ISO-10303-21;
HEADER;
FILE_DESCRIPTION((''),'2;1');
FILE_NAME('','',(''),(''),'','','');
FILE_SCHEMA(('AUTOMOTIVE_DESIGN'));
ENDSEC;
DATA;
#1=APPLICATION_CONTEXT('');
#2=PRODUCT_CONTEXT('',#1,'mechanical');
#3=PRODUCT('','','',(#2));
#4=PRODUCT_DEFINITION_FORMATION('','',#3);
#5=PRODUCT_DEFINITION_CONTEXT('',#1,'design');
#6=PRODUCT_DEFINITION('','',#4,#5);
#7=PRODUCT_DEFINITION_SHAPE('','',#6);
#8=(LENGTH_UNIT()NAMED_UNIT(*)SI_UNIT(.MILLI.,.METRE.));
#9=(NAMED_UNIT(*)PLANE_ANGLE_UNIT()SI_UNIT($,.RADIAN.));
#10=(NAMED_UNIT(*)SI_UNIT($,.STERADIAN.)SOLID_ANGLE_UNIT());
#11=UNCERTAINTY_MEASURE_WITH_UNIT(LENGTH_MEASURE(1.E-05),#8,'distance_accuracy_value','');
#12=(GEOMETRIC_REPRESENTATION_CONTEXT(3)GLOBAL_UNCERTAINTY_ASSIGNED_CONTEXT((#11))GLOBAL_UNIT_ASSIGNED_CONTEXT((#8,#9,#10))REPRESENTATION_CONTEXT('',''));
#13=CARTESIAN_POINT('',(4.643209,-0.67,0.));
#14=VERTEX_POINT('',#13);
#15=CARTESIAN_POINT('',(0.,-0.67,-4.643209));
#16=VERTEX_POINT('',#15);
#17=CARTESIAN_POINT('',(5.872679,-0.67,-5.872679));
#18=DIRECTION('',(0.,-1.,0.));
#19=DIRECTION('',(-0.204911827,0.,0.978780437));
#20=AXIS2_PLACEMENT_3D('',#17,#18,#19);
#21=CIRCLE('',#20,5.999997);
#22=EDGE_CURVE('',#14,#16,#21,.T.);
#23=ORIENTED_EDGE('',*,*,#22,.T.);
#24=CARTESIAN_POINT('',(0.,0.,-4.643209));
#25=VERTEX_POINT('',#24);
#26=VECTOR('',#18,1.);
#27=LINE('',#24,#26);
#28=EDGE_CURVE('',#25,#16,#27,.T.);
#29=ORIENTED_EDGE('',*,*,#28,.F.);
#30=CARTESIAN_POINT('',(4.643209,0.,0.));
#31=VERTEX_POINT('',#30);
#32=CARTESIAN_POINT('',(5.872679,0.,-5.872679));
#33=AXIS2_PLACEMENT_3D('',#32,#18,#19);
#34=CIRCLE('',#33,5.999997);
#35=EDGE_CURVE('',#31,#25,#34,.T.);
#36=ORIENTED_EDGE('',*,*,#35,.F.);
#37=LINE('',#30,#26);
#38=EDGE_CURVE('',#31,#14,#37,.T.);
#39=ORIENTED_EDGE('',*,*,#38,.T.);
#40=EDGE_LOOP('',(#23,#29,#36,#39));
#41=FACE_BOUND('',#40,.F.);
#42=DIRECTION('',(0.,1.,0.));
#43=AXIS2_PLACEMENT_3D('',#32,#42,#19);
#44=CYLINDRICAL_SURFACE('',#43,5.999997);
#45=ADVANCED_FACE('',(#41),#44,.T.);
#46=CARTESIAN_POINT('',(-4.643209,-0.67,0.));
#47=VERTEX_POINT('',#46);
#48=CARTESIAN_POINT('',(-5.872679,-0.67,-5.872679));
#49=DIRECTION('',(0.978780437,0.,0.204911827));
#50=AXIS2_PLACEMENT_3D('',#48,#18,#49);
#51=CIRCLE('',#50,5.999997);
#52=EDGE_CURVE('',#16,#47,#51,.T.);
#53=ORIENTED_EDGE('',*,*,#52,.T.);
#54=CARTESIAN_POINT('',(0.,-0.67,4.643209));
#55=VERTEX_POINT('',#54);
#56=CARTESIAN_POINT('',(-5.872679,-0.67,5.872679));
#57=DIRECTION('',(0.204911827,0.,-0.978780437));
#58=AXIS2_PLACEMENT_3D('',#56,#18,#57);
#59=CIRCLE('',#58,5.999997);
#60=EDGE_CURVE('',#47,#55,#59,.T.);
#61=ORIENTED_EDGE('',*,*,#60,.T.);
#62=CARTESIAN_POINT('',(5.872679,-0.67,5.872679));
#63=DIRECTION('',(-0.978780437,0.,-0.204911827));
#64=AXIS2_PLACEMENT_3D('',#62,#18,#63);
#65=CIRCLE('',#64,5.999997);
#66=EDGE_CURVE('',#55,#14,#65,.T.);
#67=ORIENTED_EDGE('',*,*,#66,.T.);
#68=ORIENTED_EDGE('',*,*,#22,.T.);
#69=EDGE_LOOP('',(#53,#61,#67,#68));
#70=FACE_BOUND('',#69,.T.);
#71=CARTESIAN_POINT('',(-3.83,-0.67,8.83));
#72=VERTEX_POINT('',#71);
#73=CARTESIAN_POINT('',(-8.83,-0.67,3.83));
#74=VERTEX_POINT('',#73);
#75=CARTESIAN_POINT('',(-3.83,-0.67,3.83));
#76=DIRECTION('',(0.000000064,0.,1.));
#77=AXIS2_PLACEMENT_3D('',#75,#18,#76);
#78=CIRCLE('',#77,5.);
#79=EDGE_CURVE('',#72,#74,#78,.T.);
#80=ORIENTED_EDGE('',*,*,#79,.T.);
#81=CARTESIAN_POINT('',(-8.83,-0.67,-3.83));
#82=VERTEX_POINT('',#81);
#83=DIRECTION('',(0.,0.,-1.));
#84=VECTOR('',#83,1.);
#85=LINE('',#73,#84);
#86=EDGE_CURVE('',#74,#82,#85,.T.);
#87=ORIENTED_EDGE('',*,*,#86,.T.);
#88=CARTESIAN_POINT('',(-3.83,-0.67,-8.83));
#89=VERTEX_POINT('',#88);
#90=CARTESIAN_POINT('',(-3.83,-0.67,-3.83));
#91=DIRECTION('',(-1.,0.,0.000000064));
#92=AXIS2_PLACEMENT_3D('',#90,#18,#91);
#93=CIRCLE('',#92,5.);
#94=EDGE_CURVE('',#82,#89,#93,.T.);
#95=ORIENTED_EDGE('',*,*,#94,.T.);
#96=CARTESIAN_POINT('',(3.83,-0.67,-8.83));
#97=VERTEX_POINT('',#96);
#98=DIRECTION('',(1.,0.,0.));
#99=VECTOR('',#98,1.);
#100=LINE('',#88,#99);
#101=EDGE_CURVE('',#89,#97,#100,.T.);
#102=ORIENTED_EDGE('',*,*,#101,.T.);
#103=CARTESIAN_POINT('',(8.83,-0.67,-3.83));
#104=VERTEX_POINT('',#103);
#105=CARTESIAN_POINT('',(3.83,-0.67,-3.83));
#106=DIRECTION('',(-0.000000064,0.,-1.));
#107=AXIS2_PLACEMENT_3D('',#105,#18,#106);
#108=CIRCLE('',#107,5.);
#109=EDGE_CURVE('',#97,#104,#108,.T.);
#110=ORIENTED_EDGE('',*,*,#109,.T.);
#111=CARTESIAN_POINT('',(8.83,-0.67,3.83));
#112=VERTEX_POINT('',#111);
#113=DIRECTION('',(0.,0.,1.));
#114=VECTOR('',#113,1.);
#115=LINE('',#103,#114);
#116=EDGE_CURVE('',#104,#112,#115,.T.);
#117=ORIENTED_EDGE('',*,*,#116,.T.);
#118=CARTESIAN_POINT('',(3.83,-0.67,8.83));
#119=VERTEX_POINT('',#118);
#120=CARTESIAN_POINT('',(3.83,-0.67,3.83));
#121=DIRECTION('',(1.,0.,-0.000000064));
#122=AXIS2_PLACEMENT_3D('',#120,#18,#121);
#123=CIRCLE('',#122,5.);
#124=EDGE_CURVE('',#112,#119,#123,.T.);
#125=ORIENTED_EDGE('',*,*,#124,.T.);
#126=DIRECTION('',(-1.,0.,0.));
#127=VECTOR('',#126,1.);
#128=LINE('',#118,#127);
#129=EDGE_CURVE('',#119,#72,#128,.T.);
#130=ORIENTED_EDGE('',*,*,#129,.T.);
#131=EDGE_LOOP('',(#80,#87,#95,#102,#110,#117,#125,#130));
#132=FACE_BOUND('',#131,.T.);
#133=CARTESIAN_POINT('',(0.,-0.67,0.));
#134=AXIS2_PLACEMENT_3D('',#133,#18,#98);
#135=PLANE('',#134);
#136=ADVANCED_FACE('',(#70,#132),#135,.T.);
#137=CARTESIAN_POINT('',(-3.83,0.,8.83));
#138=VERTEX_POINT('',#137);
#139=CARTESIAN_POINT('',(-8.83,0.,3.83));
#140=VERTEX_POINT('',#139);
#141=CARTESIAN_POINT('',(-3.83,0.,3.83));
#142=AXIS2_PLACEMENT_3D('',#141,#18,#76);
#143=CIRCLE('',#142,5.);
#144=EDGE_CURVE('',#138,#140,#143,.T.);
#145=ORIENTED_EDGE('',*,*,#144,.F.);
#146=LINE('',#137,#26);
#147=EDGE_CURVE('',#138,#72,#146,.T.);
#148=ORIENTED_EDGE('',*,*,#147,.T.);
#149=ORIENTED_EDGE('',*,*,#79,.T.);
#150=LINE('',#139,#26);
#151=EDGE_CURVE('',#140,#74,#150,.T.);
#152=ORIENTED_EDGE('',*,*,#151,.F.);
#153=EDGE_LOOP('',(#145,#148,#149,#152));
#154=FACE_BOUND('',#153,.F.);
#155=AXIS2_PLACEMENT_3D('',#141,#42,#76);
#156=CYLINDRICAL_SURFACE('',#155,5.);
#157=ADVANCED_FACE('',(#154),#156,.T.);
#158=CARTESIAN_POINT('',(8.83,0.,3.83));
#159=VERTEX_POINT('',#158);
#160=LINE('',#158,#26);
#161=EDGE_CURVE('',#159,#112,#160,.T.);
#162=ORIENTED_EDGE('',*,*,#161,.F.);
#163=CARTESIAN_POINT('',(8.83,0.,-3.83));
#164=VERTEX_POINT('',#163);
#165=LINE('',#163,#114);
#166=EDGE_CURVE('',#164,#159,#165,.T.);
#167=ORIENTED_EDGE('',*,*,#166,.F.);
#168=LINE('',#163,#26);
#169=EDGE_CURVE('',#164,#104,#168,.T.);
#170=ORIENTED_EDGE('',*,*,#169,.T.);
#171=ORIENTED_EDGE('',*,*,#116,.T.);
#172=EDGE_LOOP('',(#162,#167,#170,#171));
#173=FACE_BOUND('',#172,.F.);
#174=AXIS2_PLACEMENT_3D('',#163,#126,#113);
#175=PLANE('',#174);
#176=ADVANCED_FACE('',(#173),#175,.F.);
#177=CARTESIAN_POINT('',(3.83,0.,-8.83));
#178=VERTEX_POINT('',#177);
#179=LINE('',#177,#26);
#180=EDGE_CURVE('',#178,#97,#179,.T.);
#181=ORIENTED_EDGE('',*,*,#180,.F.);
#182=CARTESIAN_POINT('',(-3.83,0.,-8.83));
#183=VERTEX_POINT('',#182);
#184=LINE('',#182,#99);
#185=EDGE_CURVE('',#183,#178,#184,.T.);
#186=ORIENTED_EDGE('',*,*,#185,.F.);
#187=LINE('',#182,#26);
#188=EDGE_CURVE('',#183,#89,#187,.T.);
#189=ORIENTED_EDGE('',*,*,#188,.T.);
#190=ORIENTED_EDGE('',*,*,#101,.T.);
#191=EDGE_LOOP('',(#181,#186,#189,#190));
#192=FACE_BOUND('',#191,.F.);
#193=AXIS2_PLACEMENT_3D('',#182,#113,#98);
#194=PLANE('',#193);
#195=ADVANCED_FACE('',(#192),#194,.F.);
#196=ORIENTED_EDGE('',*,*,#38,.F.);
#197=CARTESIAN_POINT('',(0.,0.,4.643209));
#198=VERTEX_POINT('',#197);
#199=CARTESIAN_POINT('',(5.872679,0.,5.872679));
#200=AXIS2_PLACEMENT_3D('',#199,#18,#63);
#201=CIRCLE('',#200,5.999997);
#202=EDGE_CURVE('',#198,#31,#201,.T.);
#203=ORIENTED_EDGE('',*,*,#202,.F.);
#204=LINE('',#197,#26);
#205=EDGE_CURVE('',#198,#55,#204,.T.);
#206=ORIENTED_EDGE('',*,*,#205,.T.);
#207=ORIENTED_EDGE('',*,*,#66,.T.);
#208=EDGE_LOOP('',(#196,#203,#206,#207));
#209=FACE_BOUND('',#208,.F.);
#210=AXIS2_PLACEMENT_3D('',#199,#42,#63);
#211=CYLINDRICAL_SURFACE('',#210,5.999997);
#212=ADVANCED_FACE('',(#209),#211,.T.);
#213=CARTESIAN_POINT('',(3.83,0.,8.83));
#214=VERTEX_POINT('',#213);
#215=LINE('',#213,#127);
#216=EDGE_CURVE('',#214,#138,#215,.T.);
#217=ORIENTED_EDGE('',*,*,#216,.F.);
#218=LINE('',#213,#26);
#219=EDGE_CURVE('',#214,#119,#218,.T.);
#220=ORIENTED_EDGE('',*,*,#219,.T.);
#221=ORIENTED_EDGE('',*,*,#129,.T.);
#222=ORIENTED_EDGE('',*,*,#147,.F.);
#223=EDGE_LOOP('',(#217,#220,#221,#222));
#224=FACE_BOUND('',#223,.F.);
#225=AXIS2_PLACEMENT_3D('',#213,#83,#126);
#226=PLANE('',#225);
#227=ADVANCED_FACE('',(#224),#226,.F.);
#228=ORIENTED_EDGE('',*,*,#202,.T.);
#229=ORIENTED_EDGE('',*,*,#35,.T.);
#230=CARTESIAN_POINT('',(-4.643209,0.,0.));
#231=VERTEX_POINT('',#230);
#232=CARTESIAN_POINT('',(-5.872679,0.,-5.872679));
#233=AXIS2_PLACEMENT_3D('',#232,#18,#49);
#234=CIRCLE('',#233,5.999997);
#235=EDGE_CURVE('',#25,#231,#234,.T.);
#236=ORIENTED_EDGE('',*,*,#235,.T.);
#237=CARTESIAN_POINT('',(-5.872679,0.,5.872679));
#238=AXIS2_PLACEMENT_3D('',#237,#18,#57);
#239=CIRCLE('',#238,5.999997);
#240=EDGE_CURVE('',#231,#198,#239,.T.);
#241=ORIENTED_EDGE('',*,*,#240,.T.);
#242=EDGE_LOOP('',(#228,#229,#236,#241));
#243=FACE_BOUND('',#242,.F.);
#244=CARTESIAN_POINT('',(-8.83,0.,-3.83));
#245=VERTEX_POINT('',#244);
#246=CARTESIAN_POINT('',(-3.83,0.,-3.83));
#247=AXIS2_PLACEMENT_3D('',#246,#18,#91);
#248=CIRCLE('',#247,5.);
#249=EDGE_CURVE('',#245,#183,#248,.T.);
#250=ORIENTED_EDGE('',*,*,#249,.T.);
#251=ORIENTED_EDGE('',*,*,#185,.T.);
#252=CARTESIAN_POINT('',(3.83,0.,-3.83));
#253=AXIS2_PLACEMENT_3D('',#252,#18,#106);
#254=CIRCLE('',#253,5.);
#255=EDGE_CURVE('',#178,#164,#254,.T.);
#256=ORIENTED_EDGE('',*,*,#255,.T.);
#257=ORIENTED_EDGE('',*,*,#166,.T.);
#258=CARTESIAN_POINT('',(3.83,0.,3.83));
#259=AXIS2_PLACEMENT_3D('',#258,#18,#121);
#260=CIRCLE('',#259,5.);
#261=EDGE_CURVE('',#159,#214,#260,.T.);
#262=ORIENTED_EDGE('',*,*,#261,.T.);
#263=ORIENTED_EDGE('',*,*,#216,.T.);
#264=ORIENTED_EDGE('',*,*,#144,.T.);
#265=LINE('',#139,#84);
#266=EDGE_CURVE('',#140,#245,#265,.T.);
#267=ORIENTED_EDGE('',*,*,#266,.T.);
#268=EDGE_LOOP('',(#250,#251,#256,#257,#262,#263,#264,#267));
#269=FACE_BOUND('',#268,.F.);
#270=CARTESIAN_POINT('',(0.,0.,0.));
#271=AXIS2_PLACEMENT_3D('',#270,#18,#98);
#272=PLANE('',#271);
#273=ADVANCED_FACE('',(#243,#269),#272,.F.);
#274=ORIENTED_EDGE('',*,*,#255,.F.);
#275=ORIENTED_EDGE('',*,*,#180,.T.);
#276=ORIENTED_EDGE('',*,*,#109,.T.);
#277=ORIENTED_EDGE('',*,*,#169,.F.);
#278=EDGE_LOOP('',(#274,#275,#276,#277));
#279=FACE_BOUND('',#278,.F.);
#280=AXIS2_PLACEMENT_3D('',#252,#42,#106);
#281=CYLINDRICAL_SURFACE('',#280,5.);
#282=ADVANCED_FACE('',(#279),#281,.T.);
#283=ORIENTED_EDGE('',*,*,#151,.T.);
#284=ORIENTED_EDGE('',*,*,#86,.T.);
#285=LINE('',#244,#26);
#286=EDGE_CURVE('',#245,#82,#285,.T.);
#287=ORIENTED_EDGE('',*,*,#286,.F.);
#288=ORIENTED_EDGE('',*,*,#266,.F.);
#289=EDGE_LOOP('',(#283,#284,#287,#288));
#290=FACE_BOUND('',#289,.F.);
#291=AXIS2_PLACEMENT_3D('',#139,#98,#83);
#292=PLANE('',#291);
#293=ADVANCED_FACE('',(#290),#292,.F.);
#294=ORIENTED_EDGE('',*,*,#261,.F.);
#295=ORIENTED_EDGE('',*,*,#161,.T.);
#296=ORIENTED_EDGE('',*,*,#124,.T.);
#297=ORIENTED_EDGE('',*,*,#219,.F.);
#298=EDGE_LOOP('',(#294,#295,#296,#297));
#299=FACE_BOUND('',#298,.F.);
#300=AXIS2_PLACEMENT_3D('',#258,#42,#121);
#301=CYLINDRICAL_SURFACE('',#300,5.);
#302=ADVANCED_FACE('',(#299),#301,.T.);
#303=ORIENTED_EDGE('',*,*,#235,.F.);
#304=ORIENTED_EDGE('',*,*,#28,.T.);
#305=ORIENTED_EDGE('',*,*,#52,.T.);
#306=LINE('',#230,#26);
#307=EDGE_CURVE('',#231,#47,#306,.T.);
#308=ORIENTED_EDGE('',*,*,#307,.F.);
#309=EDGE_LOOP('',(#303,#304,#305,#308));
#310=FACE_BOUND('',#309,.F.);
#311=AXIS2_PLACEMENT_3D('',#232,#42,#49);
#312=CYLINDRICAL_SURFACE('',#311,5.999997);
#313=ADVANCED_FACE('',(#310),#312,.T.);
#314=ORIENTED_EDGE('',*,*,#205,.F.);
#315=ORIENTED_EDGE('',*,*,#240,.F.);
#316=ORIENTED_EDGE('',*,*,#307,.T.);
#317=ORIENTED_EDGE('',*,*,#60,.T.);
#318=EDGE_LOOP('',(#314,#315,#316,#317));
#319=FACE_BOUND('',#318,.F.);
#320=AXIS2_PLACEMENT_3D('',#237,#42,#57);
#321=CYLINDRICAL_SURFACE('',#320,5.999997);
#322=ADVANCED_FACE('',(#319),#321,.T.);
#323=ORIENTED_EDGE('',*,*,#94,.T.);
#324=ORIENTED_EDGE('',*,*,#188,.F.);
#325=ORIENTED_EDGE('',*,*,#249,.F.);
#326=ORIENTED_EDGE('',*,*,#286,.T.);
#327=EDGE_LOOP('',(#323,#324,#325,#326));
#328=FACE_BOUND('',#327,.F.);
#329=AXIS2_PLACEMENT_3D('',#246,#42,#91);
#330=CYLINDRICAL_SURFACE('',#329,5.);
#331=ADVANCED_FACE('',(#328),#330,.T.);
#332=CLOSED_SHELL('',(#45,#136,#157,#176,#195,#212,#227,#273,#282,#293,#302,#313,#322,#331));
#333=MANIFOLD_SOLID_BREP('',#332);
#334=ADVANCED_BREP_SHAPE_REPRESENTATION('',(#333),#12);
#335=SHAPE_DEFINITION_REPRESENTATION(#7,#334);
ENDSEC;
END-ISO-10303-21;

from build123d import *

# Parameters (mm, degrees)
F1_DEPTH = 0.67


with BuildPart() as f1:
    # F0 (on Front) → F1 (new body)
    with BuildSketch(Plane.XZ):
        with BuildLine():
            Line((3.83, 8.83), (-3.83, 8.83))
            ThreePointArc((-3.83, 8.83), (-7.365534, 7.365534), (-8.83, 3.83))
            Line((-8.83, 3.83), (-8.83, -3.83))
            ThreePointArc((-8.83, -3.83), (-7.365534, -7.365534), (-3.83, -8.83))
            Line((-3.83, -8.83), (3.83, -8.83))
            ThreePointArc((3.83, -8.83), (7.365534, -7.365534), (8.83, -3.83))
            Line((8.83, -3.83), (8.83, 3.83))
            ThreePointArc((8.83, 3.83), (7.365534, 7.365534), (3.83, 8.83))
        make_face()
        with BuildLine():
            ThreePointArc((4.643209, 0), (1.630041, -1.630041), (0, -4.643209))
            ThreePointArc((0, -4.643209), (-1.630041, -1.630041), (-4.643209, 0))
            ThreePointArc((-4.643209, 0), (-1.630041, 1.630041), (0, 4.643209))
            ThreePointArc((0, 4.643209), (1.630041, 1.630041), (4.643209, 0))
        make_face(mode=Mode.SUBTRACT)
    extrude(amount=F1_DEPTH)


solid = f1.part
